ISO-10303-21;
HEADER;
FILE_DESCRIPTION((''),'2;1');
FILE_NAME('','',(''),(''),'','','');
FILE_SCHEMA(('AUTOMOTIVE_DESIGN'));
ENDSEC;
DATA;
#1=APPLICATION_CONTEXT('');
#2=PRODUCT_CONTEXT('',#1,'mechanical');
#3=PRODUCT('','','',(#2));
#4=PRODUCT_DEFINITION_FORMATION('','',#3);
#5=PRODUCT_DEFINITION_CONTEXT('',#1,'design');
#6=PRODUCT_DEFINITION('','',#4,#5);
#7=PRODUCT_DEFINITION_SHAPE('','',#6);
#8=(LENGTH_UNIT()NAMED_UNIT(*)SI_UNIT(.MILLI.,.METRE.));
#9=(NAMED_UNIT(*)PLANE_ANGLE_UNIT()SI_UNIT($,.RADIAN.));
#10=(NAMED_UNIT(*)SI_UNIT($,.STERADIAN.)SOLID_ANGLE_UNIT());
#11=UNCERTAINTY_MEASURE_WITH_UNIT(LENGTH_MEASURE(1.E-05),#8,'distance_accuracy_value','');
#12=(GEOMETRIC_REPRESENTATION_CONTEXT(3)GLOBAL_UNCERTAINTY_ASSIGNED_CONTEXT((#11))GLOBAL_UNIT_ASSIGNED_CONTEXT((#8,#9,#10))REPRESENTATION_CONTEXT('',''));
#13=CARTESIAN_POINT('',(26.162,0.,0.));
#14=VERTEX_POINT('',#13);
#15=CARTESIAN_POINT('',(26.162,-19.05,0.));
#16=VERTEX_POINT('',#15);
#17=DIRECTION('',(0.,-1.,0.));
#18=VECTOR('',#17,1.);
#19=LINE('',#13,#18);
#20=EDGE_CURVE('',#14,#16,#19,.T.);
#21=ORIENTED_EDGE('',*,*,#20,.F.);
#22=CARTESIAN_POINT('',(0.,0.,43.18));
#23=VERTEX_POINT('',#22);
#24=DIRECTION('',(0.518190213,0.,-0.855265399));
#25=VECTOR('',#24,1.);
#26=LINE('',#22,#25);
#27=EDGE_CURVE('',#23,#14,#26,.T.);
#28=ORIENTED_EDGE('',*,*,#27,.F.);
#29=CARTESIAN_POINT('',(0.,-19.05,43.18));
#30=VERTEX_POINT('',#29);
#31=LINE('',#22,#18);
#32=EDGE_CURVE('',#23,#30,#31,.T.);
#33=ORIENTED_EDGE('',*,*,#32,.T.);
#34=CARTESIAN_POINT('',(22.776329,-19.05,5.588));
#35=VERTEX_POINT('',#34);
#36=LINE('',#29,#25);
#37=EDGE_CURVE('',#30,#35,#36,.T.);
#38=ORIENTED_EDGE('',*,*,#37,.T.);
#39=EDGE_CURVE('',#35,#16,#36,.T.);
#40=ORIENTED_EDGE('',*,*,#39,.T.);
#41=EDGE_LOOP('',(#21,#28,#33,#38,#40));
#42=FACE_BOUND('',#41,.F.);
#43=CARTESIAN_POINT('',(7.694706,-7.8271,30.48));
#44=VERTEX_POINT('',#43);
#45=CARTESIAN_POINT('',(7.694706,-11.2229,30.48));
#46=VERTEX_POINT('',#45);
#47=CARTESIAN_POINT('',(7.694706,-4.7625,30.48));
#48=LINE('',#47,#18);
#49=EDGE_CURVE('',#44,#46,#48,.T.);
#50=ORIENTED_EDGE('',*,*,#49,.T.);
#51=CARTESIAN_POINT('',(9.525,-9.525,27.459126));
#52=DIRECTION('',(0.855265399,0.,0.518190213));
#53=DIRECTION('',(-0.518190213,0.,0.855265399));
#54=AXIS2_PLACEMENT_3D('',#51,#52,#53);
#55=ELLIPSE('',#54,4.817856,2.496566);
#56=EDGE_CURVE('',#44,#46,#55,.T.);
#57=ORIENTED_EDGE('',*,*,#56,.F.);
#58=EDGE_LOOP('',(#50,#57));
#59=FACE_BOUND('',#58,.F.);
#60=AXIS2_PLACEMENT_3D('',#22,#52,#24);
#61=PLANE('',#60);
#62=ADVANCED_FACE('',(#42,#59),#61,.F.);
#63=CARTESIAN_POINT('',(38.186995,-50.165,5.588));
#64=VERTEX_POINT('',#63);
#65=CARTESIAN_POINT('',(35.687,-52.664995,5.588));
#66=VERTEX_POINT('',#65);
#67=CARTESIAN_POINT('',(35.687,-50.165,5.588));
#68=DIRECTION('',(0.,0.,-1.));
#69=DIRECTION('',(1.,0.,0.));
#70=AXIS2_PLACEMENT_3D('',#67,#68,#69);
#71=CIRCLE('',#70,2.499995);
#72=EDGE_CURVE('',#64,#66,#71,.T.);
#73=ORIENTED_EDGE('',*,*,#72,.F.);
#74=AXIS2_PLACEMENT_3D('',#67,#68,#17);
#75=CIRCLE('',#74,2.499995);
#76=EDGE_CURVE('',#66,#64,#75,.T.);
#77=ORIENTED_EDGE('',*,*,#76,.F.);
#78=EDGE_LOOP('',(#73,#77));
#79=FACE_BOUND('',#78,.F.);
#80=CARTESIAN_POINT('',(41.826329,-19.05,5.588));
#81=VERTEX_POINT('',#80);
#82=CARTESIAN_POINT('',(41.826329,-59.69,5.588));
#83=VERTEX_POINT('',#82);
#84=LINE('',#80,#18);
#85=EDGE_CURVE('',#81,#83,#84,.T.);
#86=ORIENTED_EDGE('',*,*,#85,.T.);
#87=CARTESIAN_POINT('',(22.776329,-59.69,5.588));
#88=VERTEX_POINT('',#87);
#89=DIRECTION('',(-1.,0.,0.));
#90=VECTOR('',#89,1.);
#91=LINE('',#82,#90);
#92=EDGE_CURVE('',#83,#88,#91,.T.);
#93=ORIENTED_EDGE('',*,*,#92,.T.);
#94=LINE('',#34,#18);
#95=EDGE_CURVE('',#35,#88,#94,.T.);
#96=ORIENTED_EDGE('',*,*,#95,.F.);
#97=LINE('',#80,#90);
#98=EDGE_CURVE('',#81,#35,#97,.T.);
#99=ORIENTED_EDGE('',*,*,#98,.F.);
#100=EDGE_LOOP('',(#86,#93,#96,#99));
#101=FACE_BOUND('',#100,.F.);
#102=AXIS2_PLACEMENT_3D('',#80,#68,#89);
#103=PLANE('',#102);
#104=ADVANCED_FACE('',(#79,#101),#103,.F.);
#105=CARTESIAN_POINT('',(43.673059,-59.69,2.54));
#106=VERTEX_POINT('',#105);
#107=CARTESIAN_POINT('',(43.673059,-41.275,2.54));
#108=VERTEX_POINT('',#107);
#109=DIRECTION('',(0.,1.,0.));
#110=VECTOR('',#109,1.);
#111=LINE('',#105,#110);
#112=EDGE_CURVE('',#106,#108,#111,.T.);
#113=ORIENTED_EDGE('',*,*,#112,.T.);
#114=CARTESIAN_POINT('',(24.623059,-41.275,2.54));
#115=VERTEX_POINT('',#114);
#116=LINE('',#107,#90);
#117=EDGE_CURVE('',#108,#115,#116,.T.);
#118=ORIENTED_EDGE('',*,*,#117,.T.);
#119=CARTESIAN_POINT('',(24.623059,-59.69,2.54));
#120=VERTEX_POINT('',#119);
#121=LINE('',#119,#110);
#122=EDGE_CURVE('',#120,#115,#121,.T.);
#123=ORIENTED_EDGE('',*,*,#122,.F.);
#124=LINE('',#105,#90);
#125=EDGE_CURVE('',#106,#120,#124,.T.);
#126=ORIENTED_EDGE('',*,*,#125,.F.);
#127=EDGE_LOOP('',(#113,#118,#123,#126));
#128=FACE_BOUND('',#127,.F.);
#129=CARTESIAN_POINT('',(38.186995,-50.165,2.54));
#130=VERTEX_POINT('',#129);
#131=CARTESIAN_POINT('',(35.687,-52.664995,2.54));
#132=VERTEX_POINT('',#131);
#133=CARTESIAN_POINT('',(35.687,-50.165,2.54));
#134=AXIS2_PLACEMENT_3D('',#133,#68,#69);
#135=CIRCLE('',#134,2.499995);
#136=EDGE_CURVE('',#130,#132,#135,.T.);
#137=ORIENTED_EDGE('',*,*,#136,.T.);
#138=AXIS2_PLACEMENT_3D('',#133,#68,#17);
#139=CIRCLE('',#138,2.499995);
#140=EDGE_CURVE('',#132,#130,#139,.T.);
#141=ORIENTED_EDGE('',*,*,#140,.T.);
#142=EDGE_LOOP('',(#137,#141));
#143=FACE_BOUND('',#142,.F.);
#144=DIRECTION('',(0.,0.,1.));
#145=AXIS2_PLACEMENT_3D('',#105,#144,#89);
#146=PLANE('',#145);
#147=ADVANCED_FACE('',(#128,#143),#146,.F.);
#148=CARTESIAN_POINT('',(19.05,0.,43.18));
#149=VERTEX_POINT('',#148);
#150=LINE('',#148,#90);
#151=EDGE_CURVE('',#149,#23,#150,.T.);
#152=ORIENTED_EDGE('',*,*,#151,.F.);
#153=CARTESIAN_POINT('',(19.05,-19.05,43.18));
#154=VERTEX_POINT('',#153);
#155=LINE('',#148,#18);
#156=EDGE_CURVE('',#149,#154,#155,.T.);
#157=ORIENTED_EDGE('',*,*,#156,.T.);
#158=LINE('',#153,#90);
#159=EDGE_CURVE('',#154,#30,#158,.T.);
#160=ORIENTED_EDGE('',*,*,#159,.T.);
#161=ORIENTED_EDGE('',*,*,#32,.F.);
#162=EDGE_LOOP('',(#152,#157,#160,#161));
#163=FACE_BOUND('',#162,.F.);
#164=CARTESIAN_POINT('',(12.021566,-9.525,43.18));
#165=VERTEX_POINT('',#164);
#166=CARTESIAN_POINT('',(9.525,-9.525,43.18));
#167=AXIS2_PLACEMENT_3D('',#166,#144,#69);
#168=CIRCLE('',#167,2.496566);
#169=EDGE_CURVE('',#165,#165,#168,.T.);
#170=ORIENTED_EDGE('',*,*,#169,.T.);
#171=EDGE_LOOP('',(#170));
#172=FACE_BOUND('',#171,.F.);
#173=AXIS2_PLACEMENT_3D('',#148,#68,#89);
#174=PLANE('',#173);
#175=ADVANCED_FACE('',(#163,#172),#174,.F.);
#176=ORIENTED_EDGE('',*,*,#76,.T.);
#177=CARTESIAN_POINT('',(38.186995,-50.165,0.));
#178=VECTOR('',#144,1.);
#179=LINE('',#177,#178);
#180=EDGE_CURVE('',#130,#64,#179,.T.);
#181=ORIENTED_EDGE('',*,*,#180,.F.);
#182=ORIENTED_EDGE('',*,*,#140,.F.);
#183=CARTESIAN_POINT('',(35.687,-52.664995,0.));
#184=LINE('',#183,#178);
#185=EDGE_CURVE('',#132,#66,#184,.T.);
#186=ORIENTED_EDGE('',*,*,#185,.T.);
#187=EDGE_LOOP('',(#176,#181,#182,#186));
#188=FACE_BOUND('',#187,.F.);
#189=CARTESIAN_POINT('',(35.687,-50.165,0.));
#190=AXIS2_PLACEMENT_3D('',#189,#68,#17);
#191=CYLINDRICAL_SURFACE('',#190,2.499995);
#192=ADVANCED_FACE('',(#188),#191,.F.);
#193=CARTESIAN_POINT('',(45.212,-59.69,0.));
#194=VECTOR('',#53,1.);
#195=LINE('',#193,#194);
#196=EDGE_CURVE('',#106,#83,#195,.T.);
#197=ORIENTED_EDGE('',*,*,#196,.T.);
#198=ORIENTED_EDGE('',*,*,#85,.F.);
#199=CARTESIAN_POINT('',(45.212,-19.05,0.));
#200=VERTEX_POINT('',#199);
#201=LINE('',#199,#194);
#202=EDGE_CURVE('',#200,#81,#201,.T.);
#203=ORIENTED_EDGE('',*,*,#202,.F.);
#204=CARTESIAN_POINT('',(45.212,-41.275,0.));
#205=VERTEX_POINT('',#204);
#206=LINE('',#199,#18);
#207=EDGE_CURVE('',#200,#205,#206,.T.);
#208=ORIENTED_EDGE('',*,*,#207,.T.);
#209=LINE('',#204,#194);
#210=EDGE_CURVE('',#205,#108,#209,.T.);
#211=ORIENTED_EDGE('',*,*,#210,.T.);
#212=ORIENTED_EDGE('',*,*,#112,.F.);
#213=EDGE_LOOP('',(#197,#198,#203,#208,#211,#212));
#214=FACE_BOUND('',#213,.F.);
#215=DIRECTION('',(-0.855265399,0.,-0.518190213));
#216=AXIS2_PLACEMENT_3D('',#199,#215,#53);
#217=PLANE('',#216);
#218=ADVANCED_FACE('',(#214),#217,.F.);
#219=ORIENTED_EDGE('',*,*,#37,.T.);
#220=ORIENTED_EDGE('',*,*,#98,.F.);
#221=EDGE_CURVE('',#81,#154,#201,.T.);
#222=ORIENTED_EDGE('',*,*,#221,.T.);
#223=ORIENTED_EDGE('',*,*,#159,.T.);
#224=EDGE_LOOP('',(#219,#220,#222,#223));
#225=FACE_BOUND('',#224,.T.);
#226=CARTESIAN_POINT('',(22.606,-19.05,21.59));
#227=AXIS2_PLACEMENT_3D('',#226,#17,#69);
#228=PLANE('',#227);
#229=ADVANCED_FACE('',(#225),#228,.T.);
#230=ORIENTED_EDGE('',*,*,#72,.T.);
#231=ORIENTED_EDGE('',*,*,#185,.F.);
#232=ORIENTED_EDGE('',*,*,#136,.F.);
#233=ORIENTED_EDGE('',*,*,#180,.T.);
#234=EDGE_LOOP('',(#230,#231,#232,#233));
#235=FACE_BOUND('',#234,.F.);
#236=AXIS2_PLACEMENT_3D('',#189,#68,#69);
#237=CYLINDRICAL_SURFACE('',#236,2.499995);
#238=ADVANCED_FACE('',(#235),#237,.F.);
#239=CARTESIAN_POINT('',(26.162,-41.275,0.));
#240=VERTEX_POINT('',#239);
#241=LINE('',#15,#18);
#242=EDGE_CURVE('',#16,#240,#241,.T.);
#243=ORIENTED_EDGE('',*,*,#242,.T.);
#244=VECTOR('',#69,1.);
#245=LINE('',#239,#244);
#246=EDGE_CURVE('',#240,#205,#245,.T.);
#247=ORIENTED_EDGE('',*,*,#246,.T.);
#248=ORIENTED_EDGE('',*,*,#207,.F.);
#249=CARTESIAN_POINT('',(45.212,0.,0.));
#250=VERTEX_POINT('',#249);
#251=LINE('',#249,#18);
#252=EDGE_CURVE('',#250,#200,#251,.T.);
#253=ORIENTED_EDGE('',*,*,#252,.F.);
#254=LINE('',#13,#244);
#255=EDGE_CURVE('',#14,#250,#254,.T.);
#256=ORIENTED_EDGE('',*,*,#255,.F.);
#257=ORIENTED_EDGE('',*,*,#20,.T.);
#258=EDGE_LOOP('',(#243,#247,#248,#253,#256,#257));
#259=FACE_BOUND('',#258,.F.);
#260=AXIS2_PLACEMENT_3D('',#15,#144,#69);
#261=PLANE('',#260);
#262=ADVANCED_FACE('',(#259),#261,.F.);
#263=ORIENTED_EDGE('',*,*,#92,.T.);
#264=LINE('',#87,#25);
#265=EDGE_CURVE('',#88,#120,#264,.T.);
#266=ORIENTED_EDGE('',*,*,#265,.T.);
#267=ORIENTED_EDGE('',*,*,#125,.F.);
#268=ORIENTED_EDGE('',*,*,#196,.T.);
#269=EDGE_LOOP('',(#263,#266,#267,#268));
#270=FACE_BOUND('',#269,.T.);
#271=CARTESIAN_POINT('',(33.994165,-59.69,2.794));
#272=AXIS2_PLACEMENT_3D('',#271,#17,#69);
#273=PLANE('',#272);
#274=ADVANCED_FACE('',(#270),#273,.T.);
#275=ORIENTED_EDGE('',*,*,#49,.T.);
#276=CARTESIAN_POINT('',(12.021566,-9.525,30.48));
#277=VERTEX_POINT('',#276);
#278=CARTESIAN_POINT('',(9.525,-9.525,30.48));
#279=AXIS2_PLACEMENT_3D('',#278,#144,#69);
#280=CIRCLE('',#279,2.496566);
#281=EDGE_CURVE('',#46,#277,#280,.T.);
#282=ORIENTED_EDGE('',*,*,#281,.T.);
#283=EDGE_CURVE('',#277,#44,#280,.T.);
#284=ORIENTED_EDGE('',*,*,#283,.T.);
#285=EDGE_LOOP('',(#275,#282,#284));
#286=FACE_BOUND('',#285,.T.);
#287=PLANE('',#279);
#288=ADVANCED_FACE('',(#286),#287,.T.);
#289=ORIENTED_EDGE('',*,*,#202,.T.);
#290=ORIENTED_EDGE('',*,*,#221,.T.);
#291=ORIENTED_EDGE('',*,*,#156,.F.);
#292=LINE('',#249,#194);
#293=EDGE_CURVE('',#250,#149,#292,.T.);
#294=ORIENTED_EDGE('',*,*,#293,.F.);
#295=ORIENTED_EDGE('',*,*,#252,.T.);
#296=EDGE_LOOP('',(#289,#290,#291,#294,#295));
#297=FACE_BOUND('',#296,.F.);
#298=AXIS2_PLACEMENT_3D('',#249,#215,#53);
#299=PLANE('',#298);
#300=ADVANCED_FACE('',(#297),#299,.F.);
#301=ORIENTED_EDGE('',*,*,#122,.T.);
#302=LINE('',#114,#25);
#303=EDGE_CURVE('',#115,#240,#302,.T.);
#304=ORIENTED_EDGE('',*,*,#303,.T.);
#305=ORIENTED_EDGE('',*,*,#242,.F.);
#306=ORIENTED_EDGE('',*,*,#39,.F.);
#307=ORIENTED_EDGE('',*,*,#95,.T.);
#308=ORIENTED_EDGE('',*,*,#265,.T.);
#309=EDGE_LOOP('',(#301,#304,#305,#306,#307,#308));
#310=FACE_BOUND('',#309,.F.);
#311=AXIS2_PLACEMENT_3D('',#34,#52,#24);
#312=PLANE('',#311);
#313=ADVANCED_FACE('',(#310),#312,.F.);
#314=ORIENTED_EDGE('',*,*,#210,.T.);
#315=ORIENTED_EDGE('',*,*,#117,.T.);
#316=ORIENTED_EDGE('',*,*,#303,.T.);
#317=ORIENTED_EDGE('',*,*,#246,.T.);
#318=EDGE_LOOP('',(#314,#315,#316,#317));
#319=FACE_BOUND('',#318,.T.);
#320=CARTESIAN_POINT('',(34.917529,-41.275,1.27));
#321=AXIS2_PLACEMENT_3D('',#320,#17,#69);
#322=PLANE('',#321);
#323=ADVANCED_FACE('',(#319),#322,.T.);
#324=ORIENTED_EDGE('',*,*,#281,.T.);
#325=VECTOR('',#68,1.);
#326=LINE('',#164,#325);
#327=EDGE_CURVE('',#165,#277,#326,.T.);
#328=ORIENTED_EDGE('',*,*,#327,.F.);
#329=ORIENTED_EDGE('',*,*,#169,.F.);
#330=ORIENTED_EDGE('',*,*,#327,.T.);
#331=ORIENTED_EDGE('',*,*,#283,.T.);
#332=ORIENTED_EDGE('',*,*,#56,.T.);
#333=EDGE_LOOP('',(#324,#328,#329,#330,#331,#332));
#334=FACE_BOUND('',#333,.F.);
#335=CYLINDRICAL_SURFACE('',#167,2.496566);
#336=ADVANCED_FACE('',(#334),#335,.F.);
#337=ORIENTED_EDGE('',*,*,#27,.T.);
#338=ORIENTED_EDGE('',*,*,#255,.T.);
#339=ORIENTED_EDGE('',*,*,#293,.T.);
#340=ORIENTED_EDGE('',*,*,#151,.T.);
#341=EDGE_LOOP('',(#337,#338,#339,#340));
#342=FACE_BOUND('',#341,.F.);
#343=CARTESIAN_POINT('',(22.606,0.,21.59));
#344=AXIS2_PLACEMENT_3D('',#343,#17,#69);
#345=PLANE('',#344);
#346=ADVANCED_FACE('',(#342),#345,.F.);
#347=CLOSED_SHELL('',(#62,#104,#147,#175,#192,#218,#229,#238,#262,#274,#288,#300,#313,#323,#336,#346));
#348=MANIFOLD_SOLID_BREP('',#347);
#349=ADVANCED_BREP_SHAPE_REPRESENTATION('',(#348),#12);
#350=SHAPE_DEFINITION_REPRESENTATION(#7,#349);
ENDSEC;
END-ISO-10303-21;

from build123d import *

# Parameters (mm, degrees)
F1_DEPTH = 19.05
F3_DEPTH = 40.64
F4_R     = 2.496566
F5_DEPTH = 12.7
F7_DEPTH = 43.181
F9_DEPTH = 18.415


with BuildPart() as f1:
    # F0 (on Front) → F1 (new body)
    with BuildSketch(Plane.XZ):
        Polygon((19.05, 43.18), (0, 43.18), (26.162, 0), (35.687, 0), (45.212, 0), align=None)
    extrude(amount=F1_DEPTH)

    # F2 (on face) → F3 (join)
    with BuildSketch(Plane.XZ.offset(19.05)):
        Polygon((41.8263294118, 5.588), (22.7763294118, 5.588), (26.162, 0), (45.212, 0), align=None)
    extrude(amount=F3_DEPTH)

    # F4 (on face) → F5 (cut)
    with BuildSketch(Plane.XY.offset(43.18)):
        with Locations((9.525, -9.525)):
            Circle(F4_R)
    extrude(amount=-F5_DEPTH, mode=Mode.SUBTRACT)

    # F6 (on face) → F7 (cut, through all)
    with BuildSketch(Plane(origin=(0, 0, 0), x_dir=(1, 0, 0), z_dir=(0, 0, -1))):
        with BuildLine():
            ThreePointArc((38.186995, 50.165), (37.4547634174, 51.9327634174), (35.687, 52.664995))
            ThreePointArc((35.687, 52.664995), (33.9192365826, 48.3972365826), (38.186995, 50.165))
        make_face()
    extrude(amount=-F7_DEPTH, mode=Mode.SUBTRACT)

    # F8 (on face) → F9 (cut)
    with BuildSketch(Plane.XZ.offset(59.69)):
        Polygon((43.6730588235, 2.54), (24.6230588235, 2.54), (26.162, 0), (45.212, 0), align=None)
    extrude(amount=-F9_DEPTH, mode=Mode.SUBTRACT)


solid = f1.part
